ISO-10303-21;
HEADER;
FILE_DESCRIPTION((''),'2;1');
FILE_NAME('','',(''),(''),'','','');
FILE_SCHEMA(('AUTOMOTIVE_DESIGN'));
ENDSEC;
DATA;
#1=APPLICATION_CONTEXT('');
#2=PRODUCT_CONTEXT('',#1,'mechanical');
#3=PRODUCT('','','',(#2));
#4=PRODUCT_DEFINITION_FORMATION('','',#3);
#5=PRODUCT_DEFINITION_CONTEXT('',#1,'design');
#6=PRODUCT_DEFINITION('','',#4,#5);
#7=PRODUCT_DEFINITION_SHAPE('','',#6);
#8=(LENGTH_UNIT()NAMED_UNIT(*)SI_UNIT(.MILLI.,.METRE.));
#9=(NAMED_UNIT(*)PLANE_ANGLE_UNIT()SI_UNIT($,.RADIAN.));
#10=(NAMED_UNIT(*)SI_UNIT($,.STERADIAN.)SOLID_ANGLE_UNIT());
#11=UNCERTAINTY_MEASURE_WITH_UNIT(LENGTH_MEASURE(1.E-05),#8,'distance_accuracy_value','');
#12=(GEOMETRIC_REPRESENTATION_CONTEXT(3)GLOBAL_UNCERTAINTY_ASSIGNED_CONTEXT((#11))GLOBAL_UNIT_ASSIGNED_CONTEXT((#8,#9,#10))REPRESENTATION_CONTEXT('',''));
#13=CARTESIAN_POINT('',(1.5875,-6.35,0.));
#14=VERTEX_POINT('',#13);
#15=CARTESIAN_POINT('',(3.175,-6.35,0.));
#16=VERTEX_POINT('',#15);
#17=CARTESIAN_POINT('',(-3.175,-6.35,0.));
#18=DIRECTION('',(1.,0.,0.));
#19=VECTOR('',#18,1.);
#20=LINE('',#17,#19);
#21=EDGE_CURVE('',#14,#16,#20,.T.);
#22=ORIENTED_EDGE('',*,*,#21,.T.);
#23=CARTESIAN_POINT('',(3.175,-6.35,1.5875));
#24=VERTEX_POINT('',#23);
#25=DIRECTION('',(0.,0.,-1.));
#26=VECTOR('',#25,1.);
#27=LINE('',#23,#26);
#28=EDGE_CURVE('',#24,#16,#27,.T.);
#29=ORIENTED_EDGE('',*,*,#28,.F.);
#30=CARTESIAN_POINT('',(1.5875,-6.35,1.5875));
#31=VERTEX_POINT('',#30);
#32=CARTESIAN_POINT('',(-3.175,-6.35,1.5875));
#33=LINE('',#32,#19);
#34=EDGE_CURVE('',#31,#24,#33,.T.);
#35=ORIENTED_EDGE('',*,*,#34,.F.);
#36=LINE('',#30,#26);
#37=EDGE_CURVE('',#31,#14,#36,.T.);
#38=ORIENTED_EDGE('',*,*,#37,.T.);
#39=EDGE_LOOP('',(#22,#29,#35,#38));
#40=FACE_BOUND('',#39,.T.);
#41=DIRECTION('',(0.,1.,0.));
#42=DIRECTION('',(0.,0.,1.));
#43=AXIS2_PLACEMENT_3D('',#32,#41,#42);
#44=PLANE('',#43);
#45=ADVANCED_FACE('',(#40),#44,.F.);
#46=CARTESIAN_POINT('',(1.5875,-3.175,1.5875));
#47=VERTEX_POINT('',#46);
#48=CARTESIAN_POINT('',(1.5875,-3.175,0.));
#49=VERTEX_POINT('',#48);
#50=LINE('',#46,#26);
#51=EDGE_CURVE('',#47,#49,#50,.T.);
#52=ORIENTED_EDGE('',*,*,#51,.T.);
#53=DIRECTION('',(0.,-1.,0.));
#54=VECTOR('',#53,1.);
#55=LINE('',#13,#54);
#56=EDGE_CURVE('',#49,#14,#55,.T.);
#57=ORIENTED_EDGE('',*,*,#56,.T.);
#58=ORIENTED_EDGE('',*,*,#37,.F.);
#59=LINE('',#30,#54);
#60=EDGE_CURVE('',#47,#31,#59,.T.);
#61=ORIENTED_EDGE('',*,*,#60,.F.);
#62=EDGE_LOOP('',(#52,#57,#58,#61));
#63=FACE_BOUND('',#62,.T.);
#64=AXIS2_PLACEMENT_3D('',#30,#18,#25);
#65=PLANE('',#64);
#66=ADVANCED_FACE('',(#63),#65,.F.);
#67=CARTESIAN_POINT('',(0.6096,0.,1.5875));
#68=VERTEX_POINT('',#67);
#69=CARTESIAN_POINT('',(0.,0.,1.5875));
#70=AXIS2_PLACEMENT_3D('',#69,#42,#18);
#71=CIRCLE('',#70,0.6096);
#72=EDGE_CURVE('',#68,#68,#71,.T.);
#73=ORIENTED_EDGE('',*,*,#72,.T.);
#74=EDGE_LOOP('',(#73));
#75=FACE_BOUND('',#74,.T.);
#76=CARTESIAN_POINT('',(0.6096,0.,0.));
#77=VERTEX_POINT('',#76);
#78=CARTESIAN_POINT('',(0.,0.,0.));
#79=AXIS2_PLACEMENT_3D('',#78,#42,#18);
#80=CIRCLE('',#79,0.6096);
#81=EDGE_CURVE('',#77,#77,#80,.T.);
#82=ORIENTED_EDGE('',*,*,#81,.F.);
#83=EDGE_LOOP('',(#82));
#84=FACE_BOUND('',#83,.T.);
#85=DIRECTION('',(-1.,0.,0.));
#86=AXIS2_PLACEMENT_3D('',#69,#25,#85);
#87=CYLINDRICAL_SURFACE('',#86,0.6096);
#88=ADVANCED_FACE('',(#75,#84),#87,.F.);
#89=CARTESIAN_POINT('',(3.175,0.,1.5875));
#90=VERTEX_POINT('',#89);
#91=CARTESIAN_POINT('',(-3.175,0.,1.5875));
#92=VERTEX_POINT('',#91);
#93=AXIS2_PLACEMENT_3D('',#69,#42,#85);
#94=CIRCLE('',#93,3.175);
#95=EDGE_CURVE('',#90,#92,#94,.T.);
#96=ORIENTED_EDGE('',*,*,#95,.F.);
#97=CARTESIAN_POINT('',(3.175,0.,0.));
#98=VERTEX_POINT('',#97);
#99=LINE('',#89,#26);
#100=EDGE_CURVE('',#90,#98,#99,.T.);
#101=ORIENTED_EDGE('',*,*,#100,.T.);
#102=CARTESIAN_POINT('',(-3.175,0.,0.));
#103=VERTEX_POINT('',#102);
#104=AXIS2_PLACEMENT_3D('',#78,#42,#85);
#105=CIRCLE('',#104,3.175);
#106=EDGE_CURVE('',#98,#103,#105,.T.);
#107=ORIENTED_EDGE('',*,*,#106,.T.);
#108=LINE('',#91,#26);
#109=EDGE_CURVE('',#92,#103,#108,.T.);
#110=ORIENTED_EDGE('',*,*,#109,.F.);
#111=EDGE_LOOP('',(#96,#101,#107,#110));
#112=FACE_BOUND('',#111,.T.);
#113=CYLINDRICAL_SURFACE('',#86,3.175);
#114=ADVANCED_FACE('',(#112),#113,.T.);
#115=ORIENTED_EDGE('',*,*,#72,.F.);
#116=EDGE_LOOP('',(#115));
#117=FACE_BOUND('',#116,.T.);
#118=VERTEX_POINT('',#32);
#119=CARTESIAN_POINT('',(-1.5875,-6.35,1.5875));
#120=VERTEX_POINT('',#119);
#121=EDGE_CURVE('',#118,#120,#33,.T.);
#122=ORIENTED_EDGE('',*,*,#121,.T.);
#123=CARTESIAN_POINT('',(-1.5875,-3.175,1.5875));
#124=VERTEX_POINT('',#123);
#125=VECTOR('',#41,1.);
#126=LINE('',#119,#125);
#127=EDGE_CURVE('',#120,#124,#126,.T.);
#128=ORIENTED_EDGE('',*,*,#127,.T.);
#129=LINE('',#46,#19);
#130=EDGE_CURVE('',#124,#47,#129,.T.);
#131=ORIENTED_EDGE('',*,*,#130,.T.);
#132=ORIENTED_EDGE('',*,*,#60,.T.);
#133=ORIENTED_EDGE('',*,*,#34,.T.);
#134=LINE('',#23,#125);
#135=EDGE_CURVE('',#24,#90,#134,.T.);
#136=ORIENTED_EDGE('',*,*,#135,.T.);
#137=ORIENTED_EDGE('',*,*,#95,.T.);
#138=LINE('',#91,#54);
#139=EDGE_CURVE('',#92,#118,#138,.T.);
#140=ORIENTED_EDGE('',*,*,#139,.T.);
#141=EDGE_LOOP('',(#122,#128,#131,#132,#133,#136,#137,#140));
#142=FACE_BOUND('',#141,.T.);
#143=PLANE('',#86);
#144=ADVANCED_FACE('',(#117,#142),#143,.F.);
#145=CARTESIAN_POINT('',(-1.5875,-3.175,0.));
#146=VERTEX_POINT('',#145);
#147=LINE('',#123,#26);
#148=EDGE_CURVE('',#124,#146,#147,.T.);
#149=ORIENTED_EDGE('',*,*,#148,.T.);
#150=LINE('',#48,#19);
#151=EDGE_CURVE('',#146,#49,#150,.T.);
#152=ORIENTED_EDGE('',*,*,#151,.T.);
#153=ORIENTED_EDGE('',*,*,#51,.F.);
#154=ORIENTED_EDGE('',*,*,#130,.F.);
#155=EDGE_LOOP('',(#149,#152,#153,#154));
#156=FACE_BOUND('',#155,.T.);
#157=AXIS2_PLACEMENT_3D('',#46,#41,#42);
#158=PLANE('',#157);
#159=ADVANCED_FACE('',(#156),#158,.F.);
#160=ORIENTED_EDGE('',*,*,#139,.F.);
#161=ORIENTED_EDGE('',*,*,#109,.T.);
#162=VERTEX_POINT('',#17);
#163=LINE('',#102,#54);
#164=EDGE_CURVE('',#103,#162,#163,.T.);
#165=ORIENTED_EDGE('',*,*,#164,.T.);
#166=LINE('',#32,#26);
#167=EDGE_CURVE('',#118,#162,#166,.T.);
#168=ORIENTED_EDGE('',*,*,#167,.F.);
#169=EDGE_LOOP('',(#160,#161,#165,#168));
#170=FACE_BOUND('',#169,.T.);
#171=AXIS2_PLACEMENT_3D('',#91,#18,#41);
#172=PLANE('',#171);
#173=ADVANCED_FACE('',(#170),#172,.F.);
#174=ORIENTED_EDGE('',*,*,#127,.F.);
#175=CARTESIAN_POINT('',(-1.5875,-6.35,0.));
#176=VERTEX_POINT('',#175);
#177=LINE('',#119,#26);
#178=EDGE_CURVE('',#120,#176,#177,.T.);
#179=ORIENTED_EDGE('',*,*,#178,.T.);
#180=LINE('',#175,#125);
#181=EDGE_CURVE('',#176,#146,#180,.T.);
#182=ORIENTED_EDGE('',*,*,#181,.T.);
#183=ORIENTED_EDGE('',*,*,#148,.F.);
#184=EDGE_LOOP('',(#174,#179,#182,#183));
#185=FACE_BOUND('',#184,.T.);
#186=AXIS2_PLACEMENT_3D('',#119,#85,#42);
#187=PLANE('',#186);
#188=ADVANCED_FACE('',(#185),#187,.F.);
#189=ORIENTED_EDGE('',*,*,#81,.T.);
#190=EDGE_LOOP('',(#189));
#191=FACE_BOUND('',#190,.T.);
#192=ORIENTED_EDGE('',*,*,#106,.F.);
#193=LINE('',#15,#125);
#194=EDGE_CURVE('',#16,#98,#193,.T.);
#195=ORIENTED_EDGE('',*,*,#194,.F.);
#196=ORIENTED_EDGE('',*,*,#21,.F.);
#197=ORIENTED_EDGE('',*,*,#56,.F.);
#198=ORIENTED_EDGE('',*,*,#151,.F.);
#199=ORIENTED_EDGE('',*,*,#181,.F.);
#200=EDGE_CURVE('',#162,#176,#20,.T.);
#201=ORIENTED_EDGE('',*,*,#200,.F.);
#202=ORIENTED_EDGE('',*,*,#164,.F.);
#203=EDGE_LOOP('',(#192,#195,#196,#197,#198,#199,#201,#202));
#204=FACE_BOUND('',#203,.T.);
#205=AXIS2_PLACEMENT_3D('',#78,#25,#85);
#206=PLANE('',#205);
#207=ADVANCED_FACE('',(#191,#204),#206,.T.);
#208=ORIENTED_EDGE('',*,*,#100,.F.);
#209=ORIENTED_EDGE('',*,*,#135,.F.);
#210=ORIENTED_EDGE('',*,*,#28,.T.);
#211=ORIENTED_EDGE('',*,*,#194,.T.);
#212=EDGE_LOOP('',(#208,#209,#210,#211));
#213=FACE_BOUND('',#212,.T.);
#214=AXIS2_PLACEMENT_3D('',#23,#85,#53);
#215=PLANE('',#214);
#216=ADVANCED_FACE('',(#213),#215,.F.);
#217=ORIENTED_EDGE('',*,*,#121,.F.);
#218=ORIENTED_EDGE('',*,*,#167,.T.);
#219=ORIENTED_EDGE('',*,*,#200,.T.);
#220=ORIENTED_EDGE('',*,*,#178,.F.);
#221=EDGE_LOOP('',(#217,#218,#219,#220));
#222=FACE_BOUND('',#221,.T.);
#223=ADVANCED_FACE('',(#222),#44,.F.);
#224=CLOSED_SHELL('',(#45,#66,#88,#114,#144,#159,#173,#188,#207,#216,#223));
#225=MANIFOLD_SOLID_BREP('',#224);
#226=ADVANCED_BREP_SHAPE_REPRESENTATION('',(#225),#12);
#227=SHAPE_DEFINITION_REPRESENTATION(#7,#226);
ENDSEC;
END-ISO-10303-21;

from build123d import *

# Parameters (mm, degrees)
SKETCH1_R           = 0.6096
BOSS_EXTRUDE1_DEPTH = 1.5875
SKETCH2_W           = 3.175
SKETCH2_H           = 3.175
CUT_EXTRUDE1_DEPTH  = 8.274838916


with BuildPart() as part:
    # Sketch1 → Boss-Extrude1 (new body)
    with BuildSketch(Plane.XY):
        with BuildLine():
            Line((-3.175, 0), (-3.175, -6.35))
            Line((-3.175, -6.35), (3.175, -6.35))
            Line((3.175, -6.35), (3.175, 0))
            ThreePointArc((3.175, 0), (0, 3.175), (-3.175, 0))
        make_face()
        Circle(SKETCH1_R, mode=Mode.SUBTRACT)
    extrude(amount=BOSS_EXTRUDE1_DEPTH)

    # Sketch2 → Cut-Extrude1 (cut, through all)
    with BuildSketch(Plane(origin=(0, 0, 0), x_dir=(-1, 0, 0), z_dir=(0, 0, -1))):
        with Locations((0, -4.7625)):
            Rectangle(SKETCH2_W, SKETCH2_H)
    extrude(amount=-CUT_EXTRUDE1_DEPTH, mode=Mode.SUBTRACT)


solid = part.part
